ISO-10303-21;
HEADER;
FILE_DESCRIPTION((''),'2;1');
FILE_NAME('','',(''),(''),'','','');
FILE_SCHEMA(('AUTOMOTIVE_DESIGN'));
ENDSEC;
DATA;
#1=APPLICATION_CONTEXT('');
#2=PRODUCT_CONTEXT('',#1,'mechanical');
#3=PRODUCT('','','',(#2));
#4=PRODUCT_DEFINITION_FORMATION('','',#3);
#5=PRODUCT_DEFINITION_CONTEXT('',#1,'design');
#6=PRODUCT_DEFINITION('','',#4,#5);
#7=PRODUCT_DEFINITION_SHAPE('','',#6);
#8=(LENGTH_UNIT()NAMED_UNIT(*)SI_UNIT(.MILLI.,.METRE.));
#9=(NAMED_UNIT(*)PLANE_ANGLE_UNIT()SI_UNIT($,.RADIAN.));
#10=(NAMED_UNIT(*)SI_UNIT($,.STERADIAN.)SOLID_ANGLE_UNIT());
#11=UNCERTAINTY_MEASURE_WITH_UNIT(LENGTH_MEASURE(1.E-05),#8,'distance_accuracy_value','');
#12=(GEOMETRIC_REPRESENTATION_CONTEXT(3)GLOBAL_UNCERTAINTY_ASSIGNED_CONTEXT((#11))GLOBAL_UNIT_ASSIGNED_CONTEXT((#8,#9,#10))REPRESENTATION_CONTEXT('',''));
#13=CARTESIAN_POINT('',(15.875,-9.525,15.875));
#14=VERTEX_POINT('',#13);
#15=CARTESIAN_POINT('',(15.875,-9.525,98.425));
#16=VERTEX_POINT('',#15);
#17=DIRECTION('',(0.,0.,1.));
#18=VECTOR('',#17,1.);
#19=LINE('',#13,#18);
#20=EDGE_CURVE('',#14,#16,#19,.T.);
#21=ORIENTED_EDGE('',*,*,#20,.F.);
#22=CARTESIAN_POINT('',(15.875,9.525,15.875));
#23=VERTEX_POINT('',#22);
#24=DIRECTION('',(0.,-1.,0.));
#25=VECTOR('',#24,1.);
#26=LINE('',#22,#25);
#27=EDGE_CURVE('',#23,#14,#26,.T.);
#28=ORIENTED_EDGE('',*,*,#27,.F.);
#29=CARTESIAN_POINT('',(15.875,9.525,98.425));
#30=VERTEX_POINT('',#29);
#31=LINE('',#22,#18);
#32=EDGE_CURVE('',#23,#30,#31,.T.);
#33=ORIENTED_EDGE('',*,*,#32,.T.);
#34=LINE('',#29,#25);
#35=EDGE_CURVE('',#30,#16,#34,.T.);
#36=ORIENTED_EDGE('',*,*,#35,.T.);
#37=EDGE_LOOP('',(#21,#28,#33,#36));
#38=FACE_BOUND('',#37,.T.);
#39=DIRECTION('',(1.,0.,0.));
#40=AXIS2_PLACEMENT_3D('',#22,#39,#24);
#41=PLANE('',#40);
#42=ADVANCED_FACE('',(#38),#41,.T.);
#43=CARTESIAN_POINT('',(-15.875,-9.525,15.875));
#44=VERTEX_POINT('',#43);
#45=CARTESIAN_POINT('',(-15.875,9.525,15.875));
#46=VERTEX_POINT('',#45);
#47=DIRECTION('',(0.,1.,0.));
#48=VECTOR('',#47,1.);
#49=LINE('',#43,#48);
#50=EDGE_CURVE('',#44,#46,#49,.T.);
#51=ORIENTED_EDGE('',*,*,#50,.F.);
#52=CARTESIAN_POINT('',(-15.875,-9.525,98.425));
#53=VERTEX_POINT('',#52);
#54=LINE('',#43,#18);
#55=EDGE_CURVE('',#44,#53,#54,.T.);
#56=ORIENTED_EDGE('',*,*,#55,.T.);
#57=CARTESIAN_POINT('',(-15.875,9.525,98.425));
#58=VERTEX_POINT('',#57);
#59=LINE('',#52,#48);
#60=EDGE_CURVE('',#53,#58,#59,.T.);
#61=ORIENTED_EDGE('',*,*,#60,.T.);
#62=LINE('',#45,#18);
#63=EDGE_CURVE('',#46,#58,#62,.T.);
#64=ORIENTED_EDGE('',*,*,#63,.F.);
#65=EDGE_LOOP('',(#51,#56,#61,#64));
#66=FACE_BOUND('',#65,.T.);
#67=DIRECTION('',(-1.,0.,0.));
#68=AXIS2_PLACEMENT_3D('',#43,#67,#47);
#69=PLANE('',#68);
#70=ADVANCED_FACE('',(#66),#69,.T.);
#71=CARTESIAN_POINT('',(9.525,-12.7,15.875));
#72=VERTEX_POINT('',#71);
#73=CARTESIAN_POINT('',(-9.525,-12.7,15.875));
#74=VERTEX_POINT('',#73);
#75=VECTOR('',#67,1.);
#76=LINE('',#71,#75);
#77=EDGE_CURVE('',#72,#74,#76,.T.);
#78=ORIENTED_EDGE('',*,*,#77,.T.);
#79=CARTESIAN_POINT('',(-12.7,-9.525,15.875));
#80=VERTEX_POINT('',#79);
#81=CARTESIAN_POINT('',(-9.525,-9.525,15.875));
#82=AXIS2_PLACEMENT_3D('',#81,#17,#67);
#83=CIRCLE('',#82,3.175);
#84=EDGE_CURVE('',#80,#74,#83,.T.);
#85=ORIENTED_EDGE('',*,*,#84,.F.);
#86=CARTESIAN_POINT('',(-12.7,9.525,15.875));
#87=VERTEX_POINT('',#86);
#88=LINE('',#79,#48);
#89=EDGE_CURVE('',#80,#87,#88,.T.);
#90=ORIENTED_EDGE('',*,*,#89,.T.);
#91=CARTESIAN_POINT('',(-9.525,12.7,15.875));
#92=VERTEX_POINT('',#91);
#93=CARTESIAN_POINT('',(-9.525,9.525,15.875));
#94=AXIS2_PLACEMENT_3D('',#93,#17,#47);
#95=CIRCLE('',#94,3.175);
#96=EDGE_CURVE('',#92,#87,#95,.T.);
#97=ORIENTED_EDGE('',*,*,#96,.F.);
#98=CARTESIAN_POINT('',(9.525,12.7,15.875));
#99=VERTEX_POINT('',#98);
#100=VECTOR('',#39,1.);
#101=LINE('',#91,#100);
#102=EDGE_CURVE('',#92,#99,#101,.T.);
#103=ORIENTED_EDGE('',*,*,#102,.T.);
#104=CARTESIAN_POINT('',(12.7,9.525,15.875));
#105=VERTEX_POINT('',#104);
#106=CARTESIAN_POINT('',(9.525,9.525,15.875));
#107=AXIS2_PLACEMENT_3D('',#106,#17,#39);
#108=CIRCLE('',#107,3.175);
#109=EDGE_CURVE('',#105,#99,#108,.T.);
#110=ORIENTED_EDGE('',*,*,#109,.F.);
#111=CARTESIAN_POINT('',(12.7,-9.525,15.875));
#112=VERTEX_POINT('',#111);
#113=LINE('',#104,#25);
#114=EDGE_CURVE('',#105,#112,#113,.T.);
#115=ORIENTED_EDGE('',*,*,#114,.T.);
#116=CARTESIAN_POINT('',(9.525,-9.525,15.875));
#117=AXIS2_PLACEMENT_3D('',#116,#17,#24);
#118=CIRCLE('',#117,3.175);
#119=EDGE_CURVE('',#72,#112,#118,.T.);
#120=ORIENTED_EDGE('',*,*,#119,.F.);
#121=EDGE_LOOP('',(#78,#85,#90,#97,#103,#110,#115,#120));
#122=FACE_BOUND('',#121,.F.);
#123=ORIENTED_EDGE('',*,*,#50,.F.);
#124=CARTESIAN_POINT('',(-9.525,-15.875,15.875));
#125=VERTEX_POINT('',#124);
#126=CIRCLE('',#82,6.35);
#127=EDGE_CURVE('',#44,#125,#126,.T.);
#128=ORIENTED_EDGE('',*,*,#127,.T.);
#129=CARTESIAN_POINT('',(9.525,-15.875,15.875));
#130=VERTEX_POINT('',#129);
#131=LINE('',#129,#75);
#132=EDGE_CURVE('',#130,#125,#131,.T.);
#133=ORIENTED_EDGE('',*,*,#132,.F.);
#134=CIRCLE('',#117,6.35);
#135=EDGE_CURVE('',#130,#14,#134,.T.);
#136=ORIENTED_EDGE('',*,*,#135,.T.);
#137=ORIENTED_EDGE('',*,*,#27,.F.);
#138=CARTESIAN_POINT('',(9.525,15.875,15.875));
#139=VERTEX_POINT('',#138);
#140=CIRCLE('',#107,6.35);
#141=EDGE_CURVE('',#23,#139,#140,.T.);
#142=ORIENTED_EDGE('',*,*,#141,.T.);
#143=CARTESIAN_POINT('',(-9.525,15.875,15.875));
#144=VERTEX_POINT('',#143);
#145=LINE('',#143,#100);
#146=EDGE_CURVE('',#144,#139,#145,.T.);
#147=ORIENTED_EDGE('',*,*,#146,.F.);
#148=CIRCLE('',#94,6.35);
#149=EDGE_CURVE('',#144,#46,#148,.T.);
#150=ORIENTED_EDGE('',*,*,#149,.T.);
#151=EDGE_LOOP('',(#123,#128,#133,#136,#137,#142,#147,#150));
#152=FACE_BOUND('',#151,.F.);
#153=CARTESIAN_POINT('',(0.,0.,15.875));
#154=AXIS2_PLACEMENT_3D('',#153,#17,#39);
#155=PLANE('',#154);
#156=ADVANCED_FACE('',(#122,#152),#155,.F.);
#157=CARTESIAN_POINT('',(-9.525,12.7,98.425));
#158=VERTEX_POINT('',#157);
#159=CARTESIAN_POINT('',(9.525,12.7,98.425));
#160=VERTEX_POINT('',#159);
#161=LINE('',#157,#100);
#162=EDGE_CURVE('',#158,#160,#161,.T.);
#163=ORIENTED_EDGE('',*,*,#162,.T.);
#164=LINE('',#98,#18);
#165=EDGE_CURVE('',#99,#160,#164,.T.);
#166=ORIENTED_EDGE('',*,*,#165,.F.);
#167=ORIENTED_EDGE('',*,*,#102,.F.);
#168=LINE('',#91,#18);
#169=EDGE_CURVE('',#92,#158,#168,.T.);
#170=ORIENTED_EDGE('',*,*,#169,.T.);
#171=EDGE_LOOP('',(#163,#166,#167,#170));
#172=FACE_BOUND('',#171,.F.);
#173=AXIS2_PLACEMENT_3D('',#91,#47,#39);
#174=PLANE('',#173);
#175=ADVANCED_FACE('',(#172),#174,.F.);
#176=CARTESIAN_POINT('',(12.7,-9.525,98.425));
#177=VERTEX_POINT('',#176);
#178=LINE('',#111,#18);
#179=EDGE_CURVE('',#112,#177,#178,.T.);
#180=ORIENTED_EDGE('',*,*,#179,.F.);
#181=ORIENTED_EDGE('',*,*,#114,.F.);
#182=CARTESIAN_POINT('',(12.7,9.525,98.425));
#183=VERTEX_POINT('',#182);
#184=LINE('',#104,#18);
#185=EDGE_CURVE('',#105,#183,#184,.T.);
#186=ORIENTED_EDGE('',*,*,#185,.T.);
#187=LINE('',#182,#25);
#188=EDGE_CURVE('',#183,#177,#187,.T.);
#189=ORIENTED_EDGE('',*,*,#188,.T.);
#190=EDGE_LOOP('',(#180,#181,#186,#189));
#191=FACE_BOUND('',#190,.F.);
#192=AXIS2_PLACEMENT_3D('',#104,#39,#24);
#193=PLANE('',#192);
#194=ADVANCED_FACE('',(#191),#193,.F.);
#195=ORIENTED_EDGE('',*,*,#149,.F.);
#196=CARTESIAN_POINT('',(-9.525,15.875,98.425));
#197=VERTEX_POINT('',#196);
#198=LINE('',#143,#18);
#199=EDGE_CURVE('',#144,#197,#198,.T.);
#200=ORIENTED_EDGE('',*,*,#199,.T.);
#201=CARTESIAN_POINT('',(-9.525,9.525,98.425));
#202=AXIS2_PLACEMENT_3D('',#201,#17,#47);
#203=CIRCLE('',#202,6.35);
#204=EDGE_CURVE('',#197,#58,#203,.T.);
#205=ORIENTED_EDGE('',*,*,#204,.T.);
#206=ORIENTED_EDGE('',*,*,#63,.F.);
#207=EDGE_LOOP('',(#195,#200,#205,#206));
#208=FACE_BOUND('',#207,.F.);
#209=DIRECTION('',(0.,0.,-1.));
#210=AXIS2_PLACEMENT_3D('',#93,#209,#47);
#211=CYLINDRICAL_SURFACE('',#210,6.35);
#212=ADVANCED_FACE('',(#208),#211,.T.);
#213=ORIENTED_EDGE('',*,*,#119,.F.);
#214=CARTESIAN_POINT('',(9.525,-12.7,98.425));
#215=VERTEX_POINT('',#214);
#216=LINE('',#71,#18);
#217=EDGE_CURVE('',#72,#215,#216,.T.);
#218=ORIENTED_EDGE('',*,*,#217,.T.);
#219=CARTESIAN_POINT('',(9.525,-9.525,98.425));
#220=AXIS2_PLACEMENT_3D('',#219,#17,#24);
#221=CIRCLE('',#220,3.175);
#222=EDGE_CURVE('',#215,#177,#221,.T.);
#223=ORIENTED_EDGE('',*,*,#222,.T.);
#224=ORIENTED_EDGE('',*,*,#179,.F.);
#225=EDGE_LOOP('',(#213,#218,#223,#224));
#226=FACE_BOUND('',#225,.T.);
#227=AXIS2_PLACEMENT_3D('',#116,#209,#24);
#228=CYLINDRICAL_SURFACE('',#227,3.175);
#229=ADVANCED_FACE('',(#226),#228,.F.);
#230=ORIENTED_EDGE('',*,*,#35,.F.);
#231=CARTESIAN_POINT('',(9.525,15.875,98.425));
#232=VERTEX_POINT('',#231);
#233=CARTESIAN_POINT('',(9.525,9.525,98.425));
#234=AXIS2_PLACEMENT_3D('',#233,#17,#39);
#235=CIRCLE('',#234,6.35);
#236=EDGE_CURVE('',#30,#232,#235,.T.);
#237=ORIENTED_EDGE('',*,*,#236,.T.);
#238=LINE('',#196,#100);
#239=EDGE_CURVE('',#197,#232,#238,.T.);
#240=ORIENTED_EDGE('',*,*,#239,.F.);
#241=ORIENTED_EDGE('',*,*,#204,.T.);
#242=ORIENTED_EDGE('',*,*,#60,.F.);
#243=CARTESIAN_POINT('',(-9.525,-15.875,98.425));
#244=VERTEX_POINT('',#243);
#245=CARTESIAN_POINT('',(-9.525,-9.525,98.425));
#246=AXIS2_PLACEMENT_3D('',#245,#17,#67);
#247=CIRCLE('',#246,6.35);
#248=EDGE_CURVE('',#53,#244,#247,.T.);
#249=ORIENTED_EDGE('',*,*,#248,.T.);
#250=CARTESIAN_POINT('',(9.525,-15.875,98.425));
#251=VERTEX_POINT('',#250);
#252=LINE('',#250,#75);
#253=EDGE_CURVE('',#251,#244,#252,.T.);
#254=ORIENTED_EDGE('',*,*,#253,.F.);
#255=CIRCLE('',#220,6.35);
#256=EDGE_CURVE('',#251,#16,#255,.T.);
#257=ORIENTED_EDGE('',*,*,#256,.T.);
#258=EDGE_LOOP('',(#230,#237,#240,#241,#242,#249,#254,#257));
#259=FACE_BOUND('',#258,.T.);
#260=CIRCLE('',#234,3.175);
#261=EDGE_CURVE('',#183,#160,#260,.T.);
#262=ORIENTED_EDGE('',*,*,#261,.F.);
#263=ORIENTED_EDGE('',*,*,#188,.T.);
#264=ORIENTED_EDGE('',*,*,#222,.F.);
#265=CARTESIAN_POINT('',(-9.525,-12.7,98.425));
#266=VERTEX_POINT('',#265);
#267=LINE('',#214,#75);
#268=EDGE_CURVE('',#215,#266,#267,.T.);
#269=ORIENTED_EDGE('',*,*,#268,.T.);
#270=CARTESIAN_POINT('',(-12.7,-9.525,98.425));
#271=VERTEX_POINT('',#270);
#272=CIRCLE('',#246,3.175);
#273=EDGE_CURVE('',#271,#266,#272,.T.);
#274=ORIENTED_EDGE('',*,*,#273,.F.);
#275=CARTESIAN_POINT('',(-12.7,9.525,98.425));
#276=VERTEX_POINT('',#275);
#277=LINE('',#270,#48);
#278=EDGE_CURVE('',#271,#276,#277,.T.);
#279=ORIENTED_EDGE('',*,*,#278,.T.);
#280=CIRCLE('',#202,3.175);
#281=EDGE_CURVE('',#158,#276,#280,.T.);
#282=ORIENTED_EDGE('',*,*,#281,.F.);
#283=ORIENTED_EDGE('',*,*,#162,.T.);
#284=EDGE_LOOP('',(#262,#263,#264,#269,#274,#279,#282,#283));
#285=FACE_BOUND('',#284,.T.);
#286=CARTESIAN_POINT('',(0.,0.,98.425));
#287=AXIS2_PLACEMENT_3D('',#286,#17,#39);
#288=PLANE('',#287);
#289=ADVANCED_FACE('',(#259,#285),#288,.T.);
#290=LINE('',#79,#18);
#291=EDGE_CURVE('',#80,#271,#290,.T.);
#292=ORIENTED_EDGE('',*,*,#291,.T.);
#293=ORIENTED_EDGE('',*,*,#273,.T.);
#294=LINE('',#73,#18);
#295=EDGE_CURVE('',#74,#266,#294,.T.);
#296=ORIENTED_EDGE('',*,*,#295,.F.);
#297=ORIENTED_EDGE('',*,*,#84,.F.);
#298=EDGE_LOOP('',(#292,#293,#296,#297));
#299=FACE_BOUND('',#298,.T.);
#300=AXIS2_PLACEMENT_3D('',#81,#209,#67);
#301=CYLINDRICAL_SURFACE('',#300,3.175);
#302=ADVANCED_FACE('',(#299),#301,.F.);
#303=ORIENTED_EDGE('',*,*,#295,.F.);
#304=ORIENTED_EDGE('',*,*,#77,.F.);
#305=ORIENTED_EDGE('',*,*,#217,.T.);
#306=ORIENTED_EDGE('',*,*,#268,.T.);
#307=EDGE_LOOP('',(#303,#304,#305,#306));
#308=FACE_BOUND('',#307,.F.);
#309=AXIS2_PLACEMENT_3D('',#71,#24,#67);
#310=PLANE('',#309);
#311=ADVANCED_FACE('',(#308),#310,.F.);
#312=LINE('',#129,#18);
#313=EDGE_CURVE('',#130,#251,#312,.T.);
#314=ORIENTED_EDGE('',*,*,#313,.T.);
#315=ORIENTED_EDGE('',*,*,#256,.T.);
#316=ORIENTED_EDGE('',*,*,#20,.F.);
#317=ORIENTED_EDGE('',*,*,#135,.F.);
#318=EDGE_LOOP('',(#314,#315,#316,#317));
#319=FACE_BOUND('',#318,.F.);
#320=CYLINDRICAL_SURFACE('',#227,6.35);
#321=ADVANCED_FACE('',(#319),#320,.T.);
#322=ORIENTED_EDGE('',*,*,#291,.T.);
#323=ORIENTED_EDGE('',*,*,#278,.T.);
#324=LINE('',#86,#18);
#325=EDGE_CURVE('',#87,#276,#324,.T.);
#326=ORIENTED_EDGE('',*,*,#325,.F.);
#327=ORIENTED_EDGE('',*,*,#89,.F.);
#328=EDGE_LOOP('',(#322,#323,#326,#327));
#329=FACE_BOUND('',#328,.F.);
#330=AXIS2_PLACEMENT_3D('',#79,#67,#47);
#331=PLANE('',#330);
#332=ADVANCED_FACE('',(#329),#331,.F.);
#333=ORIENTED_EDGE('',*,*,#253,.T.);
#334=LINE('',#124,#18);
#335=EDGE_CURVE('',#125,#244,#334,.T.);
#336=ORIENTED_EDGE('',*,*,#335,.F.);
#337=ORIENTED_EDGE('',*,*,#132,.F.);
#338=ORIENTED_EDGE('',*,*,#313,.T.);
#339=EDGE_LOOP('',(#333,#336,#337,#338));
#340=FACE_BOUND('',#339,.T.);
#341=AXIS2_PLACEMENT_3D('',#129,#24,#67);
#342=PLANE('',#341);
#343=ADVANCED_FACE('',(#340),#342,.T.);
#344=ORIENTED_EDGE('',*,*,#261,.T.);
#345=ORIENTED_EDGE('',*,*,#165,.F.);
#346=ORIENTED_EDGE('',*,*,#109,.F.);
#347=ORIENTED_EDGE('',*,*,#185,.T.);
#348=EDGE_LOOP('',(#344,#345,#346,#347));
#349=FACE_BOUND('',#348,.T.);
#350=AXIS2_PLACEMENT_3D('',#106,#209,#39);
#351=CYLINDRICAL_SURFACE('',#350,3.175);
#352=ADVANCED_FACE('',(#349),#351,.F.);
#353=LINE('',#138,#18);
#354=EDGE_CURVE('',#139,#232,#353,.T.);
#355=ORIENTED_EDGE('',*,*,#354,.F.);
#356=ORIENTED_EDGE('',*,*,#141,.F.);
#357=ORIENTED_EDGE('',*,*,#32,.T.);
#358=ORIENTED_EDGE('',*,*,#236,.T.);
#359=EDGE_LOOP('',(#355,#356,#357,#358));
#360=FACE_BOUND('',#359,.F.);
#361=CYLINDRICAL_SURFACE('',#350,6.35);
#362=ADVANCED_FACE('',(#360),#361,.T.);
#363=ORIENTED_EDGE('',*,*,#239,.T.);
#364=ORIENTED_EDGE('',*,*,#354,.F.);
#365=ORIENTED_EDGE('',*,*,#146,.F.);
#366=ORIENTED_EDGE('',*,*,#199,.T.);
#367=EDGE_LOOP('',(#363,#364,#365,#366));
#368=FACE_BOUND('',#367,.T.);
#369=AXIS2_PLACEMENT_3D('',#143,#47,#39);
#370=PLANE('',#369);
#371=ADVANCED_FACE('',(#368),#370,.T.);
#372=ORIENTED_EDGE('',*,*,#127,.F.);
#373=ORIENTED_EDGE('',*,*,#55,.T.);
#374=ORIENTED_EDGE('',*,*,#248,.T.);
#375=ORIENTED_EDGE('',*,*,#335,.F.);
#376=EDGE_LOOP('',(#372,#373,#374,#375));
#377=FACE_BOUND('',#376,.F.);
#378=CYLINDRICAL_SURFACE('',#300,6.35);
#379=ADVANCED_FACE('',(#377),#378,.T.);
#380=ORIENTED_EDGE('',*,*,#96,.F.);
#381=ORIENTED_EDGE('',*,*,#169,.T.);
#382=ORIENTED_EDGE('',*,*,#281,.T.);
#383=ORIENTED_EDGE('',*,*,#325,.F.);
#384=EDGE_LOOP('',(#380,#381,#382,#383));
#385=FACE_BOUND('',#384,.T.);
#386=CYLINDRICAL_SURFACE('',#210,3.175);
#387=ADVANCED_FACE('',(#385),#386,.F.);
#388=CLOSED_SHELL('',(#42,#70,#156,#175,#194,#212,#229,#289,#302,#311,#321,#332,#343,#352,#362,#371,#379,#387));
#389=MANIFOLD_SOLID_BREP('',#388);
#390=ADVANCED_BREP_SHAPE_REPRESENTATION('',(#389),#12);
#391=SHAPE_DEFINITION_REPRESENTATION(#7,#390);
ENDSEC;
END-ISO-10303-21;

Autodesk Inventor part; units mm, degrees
ref_plane "Start plane" through (0, 0, 15.875) normal (0, 0, 1) x (1, 0, 0)
ref_plane "End plane" through (0, 0, 98.425) normal (0, 0, 1) x (1, 0, 0)
sketch "Sketch" plane through (0, 0, 0) normal (0, 0, 1) x (1, 0, 0)
  line L0 (-15.875, -9.525) -> (-15.875, 9.525)
  line L1 (-9.525, 15.875) -> (9.525, 15.875)
  line L2 (15.875, 9.525) -> (15.875, -9.525)
  line L3 (9.525, -15.875) -> (-9.525, -15.875)
  arc A0 (-15.875, -9.525) -> (-9.525, -15.875) centre (-9.525, -9.525) ccw
  arc A1 (-9.525, 15.875) -> (-15.875, 9.525) centre (-9.525, 9.525) ccw
  arc A2 (15.875, 9.525) -> (9.525, 15.875) centre (9.525, 9.525) ccw
  arc A3 (9.525, -15.875) -> (15.875, -9.525) centre (9.525, -9.525) ccw
  arc A4 (-9.525, 12.7) -> (-12.7, 9.525) centre (-9.525, 9.525) ccw
  line L4 (-9.525, 12.7) -> (9.525, 12.7)
  arc A5 (12.7, 9.525) -> (9.525, 12.7) centre (9.525, 9.525) ccw
  line L5 (12.7, 9.525) -> (12.7, -9.525)
  arc A6 (9.525, -12.7) -> (12.7, -9.525) centre (9.525, -9.525) ccw
  line L6 (9.525, -12.7) -> (-9.525, -12.7)
  arc A7 (-12.7, -9.525) -> (-9.525, -12.7) centre (-9.525, -9.525) ccw
  line L7 (-12.7, -9.525) -> (-12.7, 9.525)
  line L8 (0, 24.0662) -> (0, -24.0662) construction
  line L9 (-24.0662, 0) -> (24.0662, 0) construction
  dimension "d10" = 31.75
  dimension "d11" = 31.75
  dimension "d12" = 3.175
  dimension "d15" = 15.875
  dimension "d16" = 15.875
  dimension "d17" = 6.35
extrude "Body" add sketch "Sketch" along normal up to surface (82.55 mm away) from surface at 15.875
sketch "Sketch3" plane through (0, 0, 0) normal (0, 0, 1) x (1, 0, 0)
  line L0 (0, 0) -> (10, 0)
ref_plane "Work Plane3" through (0, 0, 0) normal (0, -1, 0) x (1, 0, 0)
sketch "Sketch4" plane through (0, 0, 0) normal (0, -1, 0) x (1, 0, 0)
  line L0 (-2, 15.875) -> (12, 15.875)
  line L1 (-2, 98.425) -> (12, 98.425)
  dimension "d19" = 82.55
ref_plane "Work Plane4" through (-9.525, 0, 15.875) normal (0, 0, -1) x (-1, 0, 0)
split "Split1" plane through (-9.525, 0, 15.875) removes the side toward (0, 0, -1)
ref_plane "Work Plane5" through (9.525, 0, 98.425) normal (0, 0, 1) x (1, 0, 0)
split "Split2" plane through (9.525, 0, 98.425) removes the side toward (0, 0, 1)
equation "\"d10\" = G_H"
equation "\"d11\" = G_W"
equation "\"d12\" = G_T"
equation "\"d15\" = 0.5 * d10"
equation "\"d16\" = 0.5 * d11"
equation "\"d17\" = G_IR"
equation "\"d3\" = G_L"
equation "\"G_W\" = 31.75"
equation "\"G_H\" = 31.75"
equation "\"G_T\" = 3.175"
equation "\"G_IR\" = 6.35"
equation "\"G_L\" = d19"
equation "\"G_OFFSET_START\" = -15.875"
equation "\"G_OFFSET_END\" = -15.875"
equation "\"d13\" = -G_OFFSET_START"
equation "\"d14\" = G_OFFSET_END + B_L"
equation "\"B_L\" = 114.3"
properties part number "AISC HSS - 1-1/4x1-1/4x1/8 - 3.25" material "Steel, Mild"
